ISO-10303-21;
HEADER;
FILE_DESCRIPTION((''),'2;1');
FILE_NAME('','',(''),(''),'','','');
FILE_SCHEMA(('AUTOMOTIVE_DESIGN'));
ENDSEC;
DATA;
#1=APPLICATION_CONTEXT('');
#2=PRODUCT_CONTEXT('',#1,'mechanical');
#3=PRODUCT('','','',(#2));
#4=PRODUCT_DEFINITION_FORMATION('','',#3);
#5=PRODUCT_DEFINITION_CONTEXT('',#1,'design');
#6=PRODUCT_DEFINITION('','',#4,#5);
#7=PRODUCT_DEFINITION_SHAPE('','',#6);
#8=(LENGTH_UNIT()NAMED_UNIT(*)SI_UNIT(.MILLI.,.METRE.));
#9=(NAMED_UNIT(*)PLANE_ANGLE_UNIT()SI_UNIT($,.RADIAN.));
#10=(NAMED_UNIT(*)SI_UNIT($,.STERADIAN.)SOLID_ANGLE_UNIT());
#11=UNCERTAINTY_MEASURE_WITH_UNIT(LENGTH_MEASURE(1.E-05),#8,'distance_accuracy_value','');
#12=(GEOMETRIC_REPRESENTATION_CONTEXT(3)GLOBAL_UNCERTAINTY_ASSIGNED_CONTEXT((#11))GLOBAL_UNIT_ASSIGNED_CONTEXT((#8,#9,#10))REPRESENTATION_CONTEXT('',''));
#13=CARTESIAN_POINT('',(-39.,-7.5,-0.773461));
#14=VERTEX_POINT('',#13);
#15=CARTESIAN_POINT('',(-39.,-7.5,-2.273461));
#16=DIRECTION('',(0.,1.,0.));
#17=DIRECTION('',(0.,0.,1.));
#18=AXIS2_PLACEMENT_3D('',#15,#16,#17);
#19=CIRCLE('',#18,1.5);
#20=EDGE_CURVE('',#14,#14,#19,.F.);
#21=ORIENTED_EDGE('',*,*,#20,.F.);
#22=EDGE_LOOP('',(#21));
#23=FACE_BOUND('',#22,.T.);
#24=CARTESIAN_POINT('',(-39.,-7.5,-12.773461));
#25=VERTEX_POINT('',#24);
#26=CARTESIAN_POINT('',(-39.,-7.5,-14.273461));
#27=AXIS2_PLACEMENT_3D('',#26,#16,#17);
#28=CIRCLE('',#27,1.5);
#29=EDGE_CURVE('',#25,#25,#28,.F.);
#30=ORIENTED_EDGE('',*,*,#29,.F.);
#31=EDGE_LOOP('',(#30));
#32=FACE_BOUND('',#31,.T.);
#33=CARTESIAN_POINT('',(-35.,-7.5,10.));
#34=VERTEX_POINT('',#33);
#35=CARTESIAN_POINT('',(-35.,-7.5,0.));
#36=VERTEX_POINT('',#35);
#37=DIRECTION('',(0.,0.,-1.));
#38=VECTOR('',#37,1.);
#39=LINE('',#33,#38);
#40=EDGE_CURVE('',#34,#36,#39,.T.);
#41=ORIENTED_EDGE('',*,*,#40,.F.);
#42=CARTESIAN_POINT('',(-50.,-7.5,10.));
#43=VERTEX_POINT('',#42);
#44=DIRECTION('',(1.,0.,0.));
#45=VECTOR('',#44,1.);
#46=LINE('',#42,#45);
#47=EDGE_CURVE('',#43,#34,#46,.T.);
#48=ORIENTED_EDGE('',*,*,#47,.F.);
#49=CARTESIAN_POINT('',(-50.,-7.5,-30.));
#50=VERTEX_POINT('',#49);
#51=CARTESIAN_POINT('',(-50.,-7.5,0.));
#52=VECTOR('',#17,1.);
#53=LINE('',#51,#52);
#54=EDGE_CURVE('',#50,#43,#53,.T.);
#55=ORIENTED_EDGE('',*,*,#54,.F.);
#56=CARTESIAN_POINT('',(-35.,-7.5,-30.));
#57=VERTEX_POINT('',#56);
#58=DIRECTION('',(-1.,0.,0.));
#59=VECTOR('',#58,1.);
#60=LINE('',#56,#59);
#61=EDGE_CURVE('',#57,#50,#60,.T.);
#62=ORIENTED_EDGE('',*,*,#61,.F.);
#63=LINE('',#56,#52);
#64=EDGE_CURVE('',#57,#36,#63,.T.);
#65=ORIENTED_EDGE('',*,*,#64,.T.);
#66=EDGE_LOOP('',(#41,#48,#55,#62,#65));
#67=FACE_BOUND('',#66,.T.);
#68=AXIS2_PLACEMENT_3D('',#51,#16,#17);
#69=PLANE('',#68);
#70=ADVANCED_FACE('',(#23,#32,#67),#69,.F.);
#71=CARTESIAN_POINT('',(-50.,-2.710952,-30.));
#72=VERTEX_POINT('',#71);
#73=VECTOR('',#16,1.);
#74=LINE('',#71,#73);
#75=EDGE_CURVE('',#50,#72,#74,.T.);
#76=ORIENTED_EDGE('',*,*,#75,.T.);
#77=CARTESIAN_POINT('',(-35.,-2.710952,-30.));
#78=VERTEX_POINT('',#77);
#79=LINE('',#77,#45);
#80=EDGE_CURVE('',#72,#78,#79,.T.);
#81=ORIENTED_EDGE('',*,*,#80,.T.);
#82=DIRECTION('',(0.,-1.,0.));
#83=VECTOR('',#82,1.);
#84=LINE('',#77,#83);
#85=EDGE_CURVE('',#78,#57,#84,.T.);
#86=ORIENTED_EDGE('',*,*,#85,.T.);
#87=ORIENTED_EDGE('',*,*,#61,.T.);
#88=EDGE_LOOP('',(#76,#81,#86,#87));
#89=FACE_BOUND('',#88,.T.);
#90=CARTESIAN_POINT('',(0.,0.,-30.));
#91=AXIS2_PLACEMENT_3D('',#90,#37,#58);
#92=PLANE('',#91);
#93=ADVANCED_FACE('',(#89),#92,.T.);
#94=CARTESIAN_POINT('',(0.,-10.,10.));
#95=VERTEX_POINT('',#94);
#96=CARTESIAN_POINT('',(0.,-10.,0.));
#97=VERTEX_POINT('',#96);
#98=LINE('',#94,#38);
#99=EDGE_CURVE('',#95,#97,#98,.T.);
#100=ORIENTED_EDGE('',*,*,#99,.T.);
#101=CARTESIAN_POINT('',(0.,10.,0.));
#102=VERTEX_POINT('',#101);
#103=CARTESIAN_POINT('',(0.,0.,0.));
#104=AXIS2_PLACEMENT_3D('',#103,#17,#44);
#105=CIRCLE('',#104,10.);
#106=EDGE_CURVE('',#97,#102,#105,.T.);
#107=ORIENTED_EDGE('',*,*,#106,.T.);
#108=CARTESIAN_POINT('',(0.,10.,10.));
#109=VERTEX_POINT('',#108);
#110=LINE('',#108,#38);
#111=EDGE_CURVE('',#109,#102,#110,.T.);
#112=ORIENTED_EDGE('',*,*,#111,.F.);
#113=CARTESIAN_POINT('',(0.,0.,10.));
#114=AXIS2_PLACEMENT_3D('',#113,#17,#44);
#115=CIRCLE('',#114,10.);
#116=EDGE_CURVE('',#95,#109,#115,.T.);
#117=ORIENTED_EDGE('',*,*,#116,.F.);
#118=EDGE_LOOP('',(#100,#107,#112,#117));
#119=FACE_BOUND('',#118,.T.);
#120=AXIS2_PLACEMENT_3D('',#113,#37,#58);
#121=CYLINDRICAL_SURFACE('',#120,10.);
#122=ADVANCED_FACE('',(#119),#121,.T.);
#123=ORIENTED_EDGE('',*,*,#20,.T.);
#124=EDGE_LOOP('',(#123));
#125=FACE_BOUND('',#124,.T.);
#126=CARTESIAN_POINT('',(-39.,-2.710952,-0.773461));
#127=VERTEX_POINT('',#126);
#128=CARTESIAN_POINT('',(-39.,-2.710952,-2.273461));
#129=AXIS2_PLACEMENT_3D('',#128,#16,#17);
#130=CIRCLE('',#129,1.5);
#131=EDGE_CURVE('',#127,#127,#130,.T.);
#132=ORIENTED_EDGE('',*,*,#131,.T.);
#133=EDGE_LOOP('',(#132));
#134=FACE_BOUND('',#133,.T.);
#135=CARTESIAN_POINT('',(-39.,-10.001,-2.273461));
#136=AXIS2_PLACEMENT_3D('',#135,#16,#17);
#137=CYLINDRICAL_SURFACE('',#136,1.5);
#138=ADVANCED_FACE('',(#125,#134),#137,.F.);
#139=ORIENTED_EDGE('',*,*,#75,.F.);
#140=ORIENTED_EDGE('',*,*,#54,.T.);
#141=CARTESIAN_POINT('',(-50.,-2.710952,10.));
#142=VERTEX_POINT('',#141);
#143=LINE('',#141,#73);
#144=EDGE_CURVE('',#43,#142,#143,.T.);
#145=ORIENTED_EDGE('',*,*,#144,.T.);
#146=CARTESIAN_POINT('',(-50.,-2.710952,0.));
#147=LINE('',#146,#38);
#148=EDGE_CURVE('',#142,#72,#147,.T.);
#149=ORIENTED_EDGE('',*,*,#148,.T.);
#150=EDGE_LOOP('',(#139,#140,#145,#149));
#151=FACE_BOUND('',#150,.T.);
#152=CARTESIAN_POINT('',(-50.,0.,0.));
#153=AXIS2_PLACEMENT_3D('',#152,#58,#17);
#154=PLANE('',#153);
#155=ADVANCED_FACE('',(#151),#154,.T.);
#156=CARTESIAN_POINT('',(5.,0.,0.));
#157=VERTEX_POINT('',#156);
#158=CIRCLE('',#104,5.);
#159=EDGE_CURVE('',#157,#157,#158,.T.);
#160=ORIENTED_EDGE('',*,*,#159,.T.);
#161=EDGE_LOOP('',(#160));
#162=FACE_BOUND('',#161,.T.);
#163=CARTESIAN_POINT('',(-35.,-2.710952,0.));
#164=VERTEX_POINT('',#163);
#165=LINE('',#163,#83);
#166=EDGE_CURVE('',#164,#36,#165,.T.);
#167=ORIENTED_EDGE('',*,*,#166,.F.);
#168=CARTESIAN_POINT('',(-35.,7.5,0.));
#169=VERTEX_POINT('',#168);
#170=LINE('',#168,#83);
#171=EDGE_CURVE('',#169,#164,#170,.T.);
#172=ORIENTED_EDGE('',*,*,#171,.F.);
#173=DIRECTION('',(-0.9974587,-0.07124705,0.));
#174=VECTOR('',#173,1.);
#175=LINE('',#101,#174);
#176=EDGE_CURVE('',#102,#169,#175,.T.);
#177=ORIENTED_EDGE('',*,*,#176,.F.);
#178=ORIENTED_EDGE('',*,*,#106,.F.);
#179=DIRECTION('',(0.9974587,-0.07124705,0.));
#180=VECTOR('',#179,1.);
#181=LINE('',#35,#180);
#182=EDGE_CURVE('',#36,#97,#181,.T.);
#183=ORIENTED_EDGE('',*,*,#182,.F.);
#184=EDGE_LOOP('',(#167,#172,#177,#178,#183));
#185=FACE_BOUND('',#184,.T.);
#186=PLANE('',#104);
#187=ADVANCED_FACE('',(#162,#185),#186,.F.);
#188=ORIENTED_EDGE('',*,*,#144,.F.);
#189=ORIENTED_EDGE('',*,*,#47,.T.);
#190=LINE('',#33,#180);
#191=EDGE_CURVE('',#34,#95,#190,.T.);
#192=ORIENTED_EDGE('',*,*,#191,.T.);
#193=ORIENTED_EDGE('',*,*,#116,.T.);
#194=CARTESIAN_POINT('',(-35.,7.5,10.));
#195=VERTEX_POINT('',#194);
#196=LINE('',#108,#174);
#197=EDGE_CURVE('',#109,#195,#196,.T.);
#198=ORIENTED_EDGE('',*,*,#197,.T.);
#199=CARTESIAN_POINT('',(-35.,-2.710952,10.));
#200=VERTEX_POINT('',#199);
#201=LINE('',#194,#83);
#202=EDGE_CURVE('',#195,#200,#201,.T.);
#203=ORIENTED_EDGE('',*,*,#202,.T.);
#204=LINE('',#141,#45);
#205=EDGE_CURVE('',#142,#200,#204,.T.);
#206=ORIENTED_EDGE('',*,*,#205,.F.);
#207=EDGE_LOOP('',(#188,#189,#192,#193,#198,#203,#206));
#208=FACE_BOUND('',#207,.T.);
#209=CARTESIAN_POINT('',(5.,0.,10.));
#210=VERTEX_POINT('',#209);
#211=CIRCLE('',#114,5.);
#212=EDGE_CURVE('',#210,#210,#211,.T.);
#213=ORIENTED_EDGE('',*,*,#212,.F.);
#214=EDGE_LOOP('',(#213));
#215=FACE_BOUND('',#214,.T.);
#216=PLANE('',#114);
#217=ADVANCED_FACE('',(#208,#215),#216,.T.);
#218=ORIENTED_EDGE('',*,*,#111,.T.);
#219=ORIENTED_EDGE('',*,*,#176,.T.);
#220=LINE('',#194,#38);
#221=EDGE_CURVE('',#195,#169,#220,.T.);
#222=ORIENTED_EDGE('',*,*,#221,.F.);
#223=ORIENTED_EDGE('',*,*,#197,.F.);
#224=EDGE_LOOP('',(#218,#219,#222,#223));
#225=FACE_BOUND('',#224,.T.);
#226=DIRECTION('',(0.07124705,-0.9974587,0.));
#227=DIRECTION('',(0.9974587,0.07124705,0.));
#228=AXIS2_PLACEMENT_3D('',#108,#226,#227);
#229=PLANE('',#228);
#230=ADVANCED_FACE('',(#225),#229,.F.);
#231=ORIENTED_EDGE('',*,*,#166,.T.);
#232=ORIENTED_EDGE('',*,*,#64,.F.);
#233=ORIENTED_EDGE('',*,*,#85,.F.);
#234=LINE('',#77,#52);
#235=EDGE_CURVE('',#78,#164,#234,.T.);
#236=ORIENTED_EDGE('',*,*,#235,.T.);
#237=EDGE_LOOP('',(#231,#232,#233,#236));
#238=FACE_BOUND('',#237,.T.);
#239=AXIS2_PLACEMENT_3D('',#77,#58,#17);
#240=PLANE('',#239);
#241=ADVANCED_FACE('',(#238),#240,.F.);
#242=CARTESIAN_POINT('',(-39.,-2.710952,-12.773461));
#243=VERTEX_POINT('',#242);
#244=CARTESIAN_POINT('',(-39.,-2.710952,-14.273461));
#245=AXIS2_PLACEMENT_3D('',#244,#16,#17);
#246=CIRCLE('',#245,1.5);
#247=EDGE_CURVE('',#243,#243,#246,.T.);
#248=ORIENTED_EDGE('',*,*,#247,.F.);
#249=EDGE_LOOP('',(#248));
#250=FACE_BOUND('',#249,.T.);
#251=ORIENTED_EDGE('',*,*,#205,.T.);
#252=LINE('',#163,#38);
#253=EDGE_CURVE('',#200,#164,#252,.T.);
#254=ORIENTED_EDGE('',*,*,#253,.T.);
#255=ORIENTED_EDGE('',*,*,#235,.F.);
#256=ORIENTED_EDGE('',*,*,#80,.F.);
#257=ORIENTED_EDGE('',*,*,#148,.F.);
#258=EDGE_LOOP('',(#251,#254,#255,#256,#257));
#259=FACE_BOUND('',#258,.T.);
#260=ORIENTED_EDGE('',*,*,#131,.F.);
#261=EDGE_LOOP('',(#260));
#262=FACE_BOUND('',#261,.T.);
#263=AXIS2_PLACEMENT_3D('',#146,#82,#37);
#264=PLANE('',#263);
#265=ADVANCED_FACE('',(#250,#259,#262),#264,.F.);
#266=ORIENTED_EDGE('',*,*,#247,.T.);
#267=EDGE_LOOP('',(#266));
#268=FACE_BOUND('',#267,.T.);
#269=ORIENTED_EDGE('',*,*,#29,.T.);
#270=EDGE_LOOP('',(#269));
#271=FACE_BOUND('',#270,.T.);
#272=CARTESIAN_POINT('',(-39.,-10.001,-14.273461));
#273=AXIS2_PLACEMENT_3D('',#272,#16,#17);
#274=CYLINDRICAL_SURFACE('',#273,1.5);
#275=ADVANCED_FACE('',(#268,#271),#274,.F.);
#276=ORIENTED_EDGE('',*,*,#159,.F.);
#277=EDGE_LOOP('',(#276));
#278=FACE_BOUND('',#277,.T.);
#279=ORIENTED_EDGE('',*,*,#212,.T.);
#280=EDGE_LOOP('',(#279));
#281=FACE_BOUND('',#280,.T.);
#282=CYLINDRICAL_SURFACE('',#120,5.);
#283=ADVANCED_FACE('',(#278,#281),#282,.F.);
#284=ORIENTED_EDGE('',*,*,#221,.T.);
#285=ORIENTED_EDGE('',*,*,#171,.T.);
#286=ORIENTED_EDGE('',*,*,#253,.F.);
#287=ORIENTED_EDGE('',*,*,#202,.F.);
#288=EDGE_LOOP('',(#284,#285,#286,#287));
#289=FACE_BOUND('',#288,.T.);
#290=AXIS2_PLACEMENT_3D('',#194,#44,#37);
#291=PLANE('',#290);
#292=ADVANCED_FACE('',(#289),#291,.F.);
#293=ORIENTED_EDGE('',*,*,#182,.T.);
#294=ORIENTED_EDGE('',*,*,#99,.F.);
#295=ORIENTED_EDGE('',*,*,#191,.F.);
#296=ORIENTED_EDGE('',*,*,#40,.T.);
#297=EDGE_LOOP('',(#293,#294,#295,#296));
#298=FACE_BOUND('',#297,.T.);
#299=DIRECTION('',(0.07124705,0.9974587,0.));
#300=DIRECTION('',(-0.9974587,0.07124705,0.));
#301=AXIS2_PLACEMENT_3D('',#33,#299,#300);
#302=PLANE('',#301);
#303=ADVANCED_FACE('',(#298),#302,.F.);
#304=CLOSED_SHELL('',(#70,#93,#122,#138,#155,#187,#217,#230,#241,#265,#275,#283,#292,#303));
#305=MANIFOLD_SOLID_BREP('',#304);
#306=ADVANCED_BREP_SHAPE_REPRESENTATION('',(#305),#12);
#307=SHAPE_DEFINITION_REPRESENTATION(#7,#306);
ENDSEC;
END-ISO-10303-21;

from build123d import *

# Parameters (mm, degrees)
SKETCH1_R           = 5
BOSS_EXTRUDE1_DEPTH = 10
SKETCH3_W           = 10
SKETCH3_H           = 4.789047851
BOSS_EXTRUDE2_DEPTH = 15
SKETCH4_W           = 15
SKETCH4_H           = 4.789047851
BOSS_EXTRUDE3_DEPTH = 30
CUT_EXTRUDE1_REACH  = 9.289
SKETCH5_R           = 1.5


with BuildPart() as part:
    # Sketch1 → Boss-Extrude1 (new body)
    with BuildSketch(Plane.XY):
        with BuildLine():
            Line((0, 10), (-35, 7.5))
            Line((-35, 7.5), (-35, -7.5))
            Line((-35, -7.5), (0, -10))
            ThreePointArc((0, -10), (10, 0), (0, 10))
        make_face()
        Circle(SKETCH1_R, mode=Mode.SUBTRACT)
    extrude(amount=BOSS_EXTRUDE1_DEPTH)

    # Sketch3 → Boss-Extrude2 (add)
    with BuildSketch(Plane.ZY.offset(35)):
        with Locations((5, -5.105476075)):
            Rectangle(SKETCH3_W, SKETCH3_H)
    extrude(amount=BOSS_EXTRUDE2_DEPTH)

    # Sketch4 → Boss-Extrude3 (add)
    with BuildSketch(Plane(origin=(0, 0, 0), x_dir=(-1, 0, 0), z_dir=(0, 0, -1))):
        with Locations((42.5, -5.105476075)):
            Rectangle(SKETCH4_W, SKETCH4_H)
    extrude(amount=BOSS_EXTRUDE3_DEPTH)

    # Sketch5 → Cut-Extrude1 (cut, up to next)
    with BuildSketch(Plane(origin=(0, -2.710952149, 0), x_dir=(1, 0, 0), z_dir=(0, 1, 0)), mode=Mode.PRIVATE) as cut_extrude1_sk1:
        with Locations((-39, 2.273461037)):
            Circle(SKETCH5_R)
    cut_extrude1_tool1 = extrude(cut_extrude1_sk1.sketch, amount=-CUT_EXTRUDE1_REACH, mode=Mode.PRIVATE) & part.part
    add(cut_extrude1_tool1.solids().sort_by_distance((-39, -2.710952, -2.273461))[0], mode=Mode.SUBTRACT)
    # Sketch5 → Cut-Extrude1 (cut, up to next)
    with BuildSketch(Plane(origin=(0, -2.710952149, 0), x_dir=(1, 0, 0), z_dir=(0, 1, 0)), mode=Mode.PRIVATE) as cut_extrude1_sk2:
        with Locations((-39, 14.273461037)):
            Circle(SKETCH5_R)
    cut_extrude1_tool2 = extrude(cut_extrude1_sk2.sketch, amount=-CUT_EXTRUDE1_REACH, mode=Mode.PRIVATE) & part.part
    add(cut_extrude1_tool2.solids().sort_by_distance((-39, -2.710952, -14.273461))[0], mode=Mode.SUBTRACT)


solid = part.part
